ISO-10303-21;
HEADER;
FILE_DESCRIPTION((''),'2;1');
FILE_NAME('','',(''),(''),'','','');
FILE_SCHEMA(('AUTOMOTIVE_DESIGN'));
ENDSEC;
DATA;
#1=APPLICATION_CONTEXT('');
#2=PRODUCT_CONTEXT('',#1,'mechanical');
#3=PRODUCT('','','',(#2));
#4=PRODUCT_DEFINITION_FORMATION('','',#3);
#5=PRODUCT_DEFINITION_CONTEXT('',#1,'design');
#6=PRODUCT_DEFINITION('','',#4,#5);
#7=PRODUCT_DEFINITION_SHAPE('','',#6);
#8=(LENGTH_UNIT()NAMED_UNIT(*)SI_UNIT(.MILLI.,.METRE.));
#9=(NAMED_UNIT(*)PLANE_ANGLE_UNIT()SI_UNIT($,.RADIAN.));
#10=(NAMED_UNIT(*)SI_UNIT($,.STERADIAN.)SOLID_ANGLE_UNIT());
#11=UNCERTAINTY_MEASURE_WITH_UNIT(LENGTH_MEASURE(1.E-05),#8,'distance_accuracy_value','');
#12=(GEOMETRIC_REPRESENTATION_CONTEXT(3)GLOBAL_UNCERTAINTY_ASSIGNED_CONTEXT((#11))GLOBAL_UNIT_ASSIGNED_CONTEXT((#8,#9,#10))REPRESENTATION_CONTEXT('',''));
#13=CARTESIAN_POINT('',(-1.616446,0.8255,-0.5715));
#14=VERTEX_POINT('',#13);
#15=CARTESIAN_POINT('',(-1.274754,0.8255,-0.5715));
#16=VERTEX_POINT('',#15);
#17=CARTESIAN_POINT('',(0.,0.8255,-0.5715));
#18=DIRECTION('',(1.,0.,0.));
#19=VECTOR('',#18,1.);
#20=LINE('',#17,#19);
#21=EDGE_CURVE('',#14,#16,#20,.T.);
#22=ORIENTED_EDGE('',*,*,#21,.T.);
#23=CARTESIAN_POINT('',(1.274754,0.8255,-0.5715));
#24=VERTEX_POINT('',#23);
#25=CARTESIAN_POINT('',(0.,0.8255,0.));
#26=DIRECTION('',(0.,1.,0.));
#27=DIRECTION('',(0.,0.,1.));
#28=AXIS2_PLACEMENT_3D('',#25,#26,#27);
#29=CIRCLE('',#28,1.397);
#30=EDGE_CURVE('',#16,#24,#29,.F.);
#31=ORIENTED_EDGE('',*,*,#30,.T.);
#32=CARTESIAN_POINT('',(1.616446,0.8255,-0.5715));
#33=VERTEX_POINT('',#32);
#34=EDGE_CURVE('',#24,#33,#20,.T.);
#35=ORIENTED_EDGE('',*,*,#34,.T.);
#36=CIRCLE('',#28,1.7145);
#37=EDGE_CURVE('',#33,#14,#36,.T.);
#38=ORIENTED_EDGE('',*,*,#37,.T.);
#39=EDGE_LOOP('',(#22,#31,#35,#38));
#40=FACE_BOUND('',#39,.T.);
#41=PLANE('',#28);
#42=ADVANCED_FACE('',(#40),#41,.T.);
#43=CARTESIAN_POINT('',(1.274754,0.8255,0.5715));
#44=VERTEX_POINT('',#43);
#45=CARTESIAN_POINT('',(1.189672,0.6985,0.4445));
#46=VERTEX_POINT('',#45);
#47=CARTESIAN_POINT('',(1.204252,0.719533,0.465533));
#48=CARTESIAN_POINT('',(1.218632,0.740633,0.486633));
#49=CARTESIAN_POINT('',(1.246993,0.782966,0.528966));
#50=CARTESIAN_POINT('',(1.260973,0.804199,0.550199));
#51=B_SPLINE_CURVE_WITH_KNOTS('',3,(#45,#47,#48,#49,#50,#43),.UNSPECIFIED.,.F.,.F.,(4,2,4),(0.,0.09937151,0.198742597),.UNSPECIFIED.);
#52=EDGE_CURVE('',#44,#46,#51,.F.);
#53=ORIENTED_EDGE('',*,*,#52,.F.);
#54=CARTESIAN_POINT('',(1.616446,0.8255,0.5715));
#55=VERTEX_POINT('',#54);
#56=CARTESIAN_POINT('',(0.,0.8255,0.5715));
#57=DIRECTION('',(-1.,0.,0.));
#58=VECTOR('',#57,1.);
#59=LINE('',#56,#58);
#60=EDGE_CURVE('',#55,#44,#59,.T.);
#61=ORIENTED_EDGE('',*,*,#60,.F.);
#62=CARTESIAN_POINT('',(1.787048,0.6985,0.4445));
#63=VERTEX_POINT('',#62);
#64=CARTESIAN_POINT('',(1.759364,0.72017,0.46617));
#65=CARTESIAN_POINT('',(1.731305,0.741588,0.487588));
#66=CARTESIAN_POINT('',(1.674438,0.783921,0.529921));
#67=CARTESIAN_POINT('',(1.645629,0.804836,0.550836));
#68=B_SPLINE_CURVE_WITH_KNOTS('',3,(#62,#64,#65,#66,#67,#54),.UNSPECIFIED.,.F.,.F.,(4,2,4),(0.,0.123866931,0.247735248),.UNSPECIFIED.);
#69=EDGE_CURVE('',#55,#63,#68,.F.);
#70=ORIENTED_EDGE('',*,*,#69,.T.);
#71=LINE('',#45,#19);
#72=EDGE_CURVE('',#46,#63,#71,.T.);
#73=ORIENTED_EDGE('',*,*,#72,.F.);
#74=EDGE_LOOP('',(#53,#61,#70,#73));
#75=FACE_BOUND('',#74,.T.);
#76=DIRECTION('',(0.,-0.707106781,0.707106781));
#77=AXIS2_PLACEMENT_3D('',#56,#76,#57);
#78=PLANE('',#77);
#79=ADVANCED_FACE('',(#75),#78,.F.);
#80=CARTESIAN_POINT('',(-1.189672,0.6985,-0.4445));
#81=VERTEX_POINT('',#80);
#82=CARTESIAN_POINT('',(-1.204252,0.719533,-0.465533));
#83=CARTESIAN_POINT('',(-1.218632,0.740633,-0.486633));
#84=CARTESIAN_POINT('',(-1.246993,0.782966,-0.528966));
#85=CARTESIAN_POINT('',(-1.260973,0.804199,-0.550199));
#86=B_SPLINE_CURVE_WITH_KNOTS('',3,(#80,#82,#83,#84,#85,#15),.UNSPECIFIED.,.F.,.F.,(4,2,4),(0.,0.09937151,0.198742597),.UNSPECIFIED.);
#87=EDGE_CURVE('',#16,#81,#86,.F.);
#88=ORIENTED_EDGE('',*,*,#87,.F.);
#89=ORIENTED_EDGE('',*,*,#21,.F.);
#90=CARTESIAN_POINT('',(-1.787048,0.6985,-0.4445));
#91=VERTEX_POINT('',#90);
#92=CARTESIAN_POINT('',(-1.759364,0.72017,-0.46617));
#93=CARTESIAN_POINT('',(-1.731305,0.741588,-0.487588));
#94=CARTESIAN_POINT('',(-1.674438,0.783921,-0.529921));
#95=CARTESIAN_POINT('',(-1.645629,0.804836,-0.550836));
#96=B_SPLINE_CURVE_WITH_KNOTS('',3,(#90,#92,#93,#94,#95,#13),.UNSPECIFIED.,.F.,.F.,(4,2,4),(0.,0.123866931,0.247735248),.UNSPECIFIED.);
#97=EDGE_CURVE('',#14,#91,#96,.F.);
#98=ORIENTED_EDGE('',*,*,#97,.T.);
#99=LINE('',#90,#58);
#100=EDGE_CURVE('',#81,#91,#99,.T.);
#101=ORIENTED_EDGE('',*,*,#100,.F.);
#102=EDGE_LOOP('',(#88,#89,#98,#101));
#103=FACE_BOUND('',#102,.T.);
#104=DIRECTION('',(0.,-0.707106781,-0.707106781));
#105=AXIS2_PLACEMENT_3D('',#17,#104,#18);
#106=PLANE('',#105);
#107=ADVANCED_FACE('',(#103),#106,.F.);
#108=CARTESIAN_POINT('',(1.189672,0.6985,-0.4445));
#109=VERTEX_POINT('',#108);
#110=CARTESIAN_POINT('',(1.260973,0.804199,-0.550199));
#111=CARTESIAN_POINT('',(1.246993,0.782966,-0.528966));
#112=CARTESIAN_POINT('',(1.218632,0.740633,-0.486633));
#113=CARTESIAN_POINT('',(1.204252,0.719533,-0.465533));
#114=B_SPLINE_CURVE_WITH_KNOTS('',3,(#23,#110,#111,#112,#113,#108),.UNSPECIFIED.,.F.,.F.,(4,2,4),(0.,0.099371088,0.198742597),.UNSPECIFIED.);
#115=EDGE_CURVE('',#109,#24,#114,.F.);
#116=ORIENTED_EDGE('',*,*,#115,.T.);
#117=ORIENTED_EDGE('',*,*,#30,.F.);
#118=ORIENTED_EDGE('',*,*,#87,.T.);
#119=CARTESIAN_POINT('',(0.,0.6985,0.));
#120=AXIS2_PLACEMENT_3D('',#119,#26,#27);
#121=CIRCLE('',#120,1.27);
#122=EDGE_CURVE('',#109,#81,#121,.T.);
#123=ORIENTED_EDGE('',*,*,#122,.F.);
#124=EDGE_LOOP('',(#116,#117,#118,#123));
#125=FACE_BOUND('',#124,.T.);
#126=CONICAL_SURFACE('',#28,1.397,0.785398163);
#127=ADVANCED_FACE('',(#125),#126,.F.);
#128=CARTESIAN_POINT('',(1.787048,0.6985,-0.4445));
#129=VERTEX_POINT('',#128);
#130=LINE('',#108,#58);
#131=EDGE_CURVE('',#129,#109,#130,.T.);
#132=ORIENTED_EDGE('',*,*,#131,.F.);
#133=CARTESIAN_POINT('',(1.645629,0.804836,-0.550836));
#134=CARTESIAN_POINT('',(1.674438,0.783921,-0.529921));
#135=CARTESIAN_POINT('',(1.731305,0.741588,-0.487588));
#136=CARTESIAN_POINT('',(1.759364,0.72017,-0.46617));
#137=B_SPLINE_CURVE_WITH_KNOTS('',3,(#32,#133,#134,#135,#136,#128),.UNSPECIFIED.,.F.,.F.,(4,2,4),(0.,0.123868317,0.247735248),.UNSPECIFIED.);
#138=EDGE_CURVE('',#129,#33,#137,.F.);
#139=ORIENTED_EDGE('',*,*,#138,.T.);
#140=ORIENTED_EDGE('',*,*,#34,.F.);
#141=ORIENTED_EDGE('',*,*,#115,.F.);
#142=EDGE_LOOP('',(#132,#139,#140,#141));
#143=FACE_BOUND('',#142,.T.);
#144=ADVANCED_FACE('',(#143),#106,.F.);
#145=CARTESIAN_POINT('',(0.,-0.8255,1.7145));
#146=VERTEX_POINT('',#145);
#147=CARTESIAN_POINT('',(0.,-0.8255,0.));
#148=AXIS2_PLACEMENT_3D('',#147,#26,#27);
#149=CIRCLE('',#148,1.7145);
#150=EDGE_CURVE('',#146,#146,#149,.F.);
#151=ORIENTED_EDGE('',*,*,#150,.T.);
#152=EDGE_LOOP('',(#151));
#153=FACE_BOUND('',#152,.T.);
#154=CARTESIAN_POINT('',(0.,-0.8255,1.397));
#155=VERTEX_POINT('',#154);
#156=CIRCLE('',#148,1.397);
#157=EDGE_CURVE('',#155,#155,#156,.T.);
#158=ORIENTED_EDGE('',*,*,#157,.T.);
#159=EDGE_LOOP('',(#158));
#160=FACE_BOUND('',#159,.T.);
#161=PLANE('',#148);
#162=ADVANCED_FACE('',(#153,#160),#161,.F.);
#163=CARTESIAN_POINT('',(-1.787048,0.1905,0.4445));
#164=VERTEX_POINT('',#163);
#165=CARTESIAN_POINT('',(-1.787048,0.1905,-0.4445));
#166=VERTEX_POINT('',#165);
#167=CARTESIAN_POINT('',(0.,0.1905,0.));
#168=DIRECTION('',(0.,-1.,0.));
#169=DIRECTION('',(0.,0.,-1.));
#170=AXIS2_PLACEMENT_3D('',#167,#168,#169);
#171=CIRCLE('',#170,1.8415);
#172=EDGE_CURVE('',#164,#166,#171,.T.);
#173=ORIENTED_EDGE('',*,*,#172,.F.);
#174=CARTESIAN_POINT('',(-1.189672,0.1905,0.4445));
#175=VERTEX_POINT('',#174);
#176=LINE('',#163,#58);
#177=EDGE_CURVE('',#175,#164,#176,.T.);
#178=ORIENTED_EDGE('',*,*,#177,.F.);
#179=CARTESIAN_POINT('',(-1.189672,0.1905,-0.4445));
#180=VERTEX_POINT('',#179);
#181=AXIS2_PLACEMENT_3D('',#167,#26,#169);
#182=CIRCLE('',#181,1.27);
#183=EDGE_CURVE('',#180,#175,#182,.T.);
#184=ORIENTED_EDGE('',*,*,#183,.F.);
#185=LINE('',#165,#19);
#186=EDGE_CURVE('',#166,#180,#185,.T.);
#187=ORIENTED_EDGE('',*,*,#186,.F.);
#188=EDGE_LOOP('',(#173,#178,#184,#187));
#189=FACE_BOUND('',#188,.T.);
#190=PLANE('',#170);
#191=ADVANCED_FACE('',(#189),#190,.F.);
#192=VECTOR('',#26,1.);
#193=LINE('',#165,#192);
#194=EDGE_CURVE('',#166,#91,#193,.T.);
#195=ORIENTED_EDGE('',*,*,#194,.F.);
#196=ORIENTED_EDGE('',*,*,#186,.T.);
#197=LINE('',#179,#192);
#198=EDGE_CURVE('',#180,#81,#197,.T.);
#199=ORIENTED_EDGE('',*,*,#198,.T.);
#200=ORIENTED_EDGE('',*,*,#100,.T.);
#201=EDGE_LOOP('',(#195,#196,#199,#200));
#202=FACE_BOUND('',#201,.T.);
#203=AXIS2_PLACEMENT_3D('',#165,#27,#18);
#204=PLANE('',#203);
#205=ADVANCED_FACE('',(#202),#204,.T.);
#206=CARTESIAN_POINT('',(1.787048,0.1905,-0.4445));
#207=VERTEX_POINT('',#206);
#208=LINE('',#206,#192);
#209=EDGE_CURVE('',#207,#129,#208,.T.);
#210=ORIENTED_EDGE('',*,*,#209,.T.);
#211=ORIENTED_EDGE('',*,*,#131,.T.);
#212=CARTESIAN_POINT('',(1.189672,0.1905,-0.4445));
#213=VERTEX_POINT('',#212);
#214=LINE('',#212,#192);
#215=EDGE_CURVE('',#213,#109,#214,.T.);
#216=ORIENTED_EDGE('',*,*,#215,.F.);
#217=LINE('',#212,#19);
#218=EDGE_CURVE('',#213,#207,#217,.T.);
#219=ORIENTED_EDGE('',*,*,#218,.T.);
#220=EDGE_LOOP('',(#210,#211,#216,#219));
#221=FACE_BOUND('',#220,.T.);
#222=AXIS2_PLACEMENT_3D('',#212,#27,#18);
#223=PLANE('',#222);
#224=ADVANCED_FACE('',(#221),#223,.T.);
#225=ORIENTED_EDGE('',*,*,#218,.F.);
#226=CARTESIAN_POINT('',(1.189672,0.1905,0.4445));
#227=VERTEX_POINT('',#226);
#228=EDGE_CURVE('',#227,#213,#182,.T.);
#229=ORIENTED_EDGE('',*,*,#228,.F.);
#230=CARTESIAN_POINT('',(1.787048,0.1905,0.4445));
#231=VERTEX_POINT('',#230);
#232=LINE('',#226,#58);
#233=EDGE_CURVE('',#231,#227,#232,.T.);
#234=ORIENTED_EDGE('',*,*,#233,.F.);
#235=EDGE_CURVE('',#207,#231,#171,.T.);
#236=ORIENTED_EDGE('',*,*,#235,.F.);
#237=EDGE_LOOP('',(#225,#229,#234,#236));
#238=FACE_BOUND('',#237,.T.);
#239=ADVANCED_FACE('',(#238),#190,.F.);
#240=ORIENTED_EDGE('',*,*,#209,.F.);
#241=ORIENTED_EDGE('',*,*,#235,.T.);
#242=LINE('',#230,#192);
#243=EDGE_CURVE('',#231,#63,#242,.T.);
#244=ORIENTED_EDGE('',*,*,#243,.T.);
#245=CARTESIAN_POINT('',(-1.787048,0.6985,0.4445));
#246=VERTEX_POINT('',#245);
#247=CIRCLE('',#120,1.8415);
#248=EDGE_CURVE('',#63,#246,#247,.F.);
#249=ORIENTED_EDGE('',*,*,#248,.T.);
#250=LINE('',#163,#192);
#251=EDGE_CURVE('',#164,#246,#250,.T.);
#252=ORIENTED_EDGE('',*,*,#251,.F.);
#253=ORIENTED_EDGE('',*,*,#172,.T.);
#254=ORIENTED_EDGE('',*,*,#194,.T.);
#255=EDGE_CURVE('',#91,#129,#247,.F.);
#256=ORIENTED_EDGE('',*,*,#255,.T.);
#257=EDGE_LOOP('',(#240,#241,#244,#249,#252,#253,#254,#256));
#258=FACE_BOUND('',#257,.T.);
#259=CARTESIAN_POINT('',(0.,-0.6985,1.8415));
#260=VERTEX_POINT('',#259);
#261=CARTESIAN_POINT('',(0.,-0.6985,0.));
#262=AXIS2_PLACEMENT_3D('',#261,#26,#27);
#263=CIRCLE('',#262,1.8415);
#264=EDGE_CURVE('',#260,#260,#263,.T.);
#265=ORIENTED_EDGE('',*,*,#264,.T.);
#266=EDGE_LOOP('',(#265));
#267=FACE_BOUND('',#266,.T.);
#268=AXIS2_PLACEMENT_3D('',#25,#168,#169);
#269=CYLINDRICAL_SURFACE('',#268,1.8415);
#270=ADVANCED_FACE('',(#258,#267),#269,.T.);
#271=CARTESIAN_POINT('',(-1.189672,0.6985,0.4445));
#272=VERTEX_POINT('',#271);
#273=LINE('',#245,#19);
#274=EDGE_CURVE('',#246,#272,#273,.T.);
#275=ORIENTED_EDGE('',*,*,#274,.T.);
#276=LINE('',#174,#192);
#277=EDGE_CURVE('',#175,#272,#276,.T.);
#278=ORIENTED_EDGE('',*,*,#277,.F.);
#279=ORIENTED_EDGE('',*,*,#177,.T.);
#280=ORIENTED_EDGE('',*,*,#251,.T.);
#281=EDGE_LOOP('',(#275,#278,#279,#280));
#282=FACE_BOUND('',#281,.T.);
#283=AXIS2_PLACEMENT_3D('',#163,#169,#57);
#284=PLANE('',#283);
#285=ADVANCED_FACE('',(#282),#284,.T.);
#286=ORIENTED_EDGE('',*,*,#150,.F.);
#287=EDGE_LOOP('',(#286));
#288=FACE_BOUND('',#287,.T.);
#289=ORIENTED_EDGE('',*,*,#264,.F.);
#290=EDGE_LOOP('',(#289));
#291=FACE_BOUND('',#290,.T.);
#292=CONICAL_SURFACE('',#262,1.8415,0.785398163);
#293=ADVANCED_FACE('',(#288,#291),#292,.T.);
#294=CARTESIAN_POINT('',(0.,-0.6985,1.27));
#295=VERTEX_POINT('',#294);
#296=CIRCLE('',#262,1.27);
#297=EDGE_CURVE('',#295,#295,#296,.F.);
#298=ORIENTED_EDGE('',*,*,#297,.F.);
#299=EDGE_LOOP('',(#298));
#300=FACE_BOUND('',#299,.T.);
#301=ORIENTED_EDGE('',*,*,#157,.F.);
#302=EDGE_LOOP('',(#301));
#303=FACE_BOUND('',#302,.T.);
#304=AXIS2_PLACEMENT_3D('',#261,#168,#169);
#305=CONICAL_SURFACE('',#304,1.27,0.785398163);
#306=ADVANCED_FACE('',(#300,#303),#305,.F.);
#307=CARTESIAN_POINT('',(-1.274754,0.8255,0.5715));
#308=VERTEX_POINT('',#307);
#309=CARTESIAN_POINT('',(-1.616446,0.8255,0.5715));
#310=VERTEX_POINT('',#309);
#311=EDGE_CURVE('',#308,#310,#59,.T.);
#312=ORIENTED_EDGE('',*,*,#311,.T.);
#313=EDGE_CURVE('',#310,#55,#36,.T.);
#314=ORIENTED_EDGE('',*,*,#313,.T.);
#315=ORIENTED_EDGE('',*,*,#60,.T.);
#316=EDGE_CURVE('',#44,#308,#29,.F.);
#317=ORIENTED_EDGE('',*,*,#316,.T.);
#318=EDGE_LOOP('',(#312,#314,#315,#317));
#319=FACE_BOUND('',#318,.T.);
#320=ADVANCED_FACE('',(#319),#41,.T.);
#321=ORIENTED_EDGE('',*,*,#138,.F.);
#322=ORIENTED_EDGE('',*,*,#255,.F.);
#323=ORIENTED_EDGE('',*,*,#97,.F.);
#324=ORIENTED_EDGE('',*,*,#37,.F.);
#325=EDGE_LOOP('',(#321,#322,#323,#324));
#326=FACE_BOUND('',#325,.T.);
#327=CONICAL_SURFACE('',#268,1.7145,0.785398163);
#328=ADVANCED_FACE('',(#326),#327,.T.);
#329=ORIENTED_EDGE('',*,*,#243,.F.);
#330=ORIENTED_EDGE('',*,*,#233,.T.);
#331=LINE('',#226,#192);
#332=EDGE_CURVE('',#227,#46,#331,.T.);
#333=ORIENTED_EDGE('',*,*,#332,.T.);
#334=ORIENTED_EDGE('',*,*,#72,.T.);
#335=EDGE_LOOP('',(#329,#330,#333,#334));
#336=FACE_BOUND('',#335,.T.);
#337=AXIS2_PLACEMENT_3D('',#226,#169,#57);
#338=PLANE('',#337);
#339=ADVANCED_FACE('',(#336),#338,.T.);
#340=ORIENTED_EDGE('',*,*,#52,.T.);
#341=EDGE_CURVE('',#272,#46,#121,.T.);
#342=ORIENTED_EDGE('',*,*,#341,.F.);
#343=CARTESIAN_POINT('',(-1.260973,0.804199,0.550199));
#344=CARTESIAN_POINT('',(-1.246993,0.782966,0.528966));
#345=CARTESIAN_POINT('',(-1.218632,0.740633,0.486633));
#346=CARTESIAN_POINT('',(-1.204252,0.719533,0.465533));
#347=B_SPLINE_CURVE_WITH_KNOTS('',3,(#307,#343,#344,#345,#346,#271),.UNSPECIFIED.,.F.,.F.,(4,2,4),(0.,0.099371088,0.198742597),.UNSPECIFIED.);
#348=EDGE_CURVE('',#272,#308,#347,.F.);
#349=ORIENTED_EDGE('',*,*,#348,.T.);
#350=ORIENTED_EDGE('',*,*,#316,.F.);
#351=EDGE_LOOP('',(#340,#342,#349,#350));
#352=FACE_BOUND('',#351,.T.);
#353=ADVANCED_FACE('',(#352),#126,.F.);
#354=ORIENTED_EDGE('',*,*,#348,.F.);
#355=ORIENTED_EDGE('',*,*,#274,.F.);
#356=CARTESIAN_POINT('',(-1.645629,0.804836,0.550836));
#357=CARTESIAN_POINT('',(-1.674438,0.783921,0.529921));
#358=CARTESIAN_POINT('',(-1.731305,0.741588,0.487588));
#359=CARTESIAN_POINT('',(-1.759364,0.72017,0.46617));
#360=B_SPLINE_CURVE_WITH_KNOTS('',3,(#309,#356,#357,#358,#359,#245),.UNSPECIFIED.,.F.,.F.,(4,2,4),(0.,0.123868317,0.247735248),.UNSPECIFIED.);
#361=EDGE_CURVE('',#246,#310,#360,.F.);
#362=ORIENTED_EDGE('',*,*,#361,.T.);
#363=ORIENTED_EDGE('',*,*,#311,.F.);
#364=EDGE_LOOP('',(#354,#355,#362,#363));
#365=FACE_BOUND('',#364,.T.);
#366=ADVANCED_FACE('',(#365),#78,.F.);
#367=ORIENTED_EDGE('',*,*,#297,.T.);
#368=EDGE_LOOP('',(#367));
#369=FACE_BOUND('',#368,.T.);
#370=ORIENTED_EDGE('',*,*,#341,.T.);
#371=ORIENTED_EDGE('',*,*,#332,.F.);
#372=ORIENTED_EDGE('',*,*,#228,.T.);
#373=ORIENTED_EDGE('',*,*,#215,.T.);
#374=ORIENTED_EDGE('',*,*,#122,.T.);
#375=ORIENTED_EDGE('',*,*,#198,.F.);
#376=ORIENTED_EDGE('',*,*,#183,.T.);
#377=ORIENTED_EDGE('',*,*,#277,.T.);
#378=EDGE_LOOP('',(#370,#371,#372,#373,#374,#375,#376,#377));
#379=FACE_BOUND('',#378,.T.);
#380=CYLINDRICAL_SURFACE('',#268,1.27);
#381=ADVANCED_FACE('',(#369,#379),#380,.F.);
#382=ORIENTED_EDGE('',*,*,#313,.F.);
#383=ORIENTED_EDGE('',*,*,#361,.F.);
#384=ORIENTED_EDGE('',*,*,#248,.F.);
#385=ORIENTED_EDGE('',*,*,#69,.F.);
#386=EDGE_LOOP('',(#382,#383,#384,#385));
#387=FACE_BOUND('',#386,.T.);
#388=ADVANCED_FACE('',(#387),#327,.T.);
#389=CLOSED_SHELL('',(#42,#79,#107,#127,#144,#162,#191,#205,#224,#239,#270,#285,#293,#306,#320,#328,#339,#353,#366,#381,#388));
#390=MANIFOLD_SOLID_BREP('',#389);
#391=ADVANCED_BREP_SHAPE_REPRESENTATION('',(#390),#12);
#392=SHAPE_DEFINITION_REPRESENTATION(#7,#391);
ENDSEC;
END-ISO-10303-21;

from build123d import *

# Parameters (mm, degrees)
SKETCH1_R           = 1.8415
BOSS_EXTRUDE1_DEPTH = 0.8255
SKETCH3_R           = 1.27
CUT_EXTRUDE2_DEPTH  = 2.651
CUT_EXTRUDE6_DEPTH  = 0.635
CHAMFER1_SIZE       = 0.127


with BuildPart() as part:
    # Sketch1 → Boss-Extrude1 (new body, symmetric)
    with BuildSketch(Plane(origin=(0, 0, 0), x_dir=(1, 0, 0), z_dir=(0, 1, 0))):
        with Locations(Location((0, 0, 0), (0, 0, 270))):  # turned: the seam where the file's is
            Circle(SKETCH1_R)
    extrude(amount=BOSS_EXTRUDE1_DEPTH, both=True)

    # Sketch3 → Cut-Extrude2 (cut, through all)
    with BuildSketch(Plane.XZ.offset(0.8255)):
        with Locations(Location((0, 0, 0), (0, 0, 270))):  # turned: the seam where the file's is
            Circle(SKETCH3_R)
    extrude(amount=-CUT_EXTRUDE2_DEPTH, mode=Mode.SUBTRACT)

    # Sketch7 → Cut-Extrude6 (cut)
    with BuildSketch(Plane.XZ.offset(-0.8255)):
        with BuildLine():
            Line((1.189672119, -0.4445), (1.787048404, -0.4445))
            ThreePointArc((1.787048404, -0.4445), (1.8415, 0), (1.787048404, 0.4445))
            Line((1.787048404, 0.4445), (1.189672119, 0.4445))
            ThreePointArc((1.189672119, 0.4445), (1.27, 0), (1.189672119, -0.4445))
        make_face()
        with BuildLine():
            Line((-1.787048404, 0.4445), (-1.189672119, 0.4445))
            ThreePointArc((-1.189672119, 0.4445), (-1.27, 0), (-1.189672119, -0.4445))
            Line((-1.189672119, -0.4445), (-1.787048404, -0.4445))
            ThreePointArc((-1.787048404, -0.4445), (-1.8415, 0), (-1.787048404, 0.4445))
        make_face()
    extrude(amount=CUT_EXTRUDE6_DEPTH, mode=Mode.SUBTRACT)

    # Chamfer1
    chamfer1_edges = [part.edges().sort_by_distance(p)[0] for p in [
        (0, 0.8255, 1.27),
        (0, 0.8255, -1.8415),
        (1.488360262, 0.8255, 0.4445),
        (1.488360262, 0.8255, -0.4445),
        (0, -0.8255, -1.8415),
        (0.724011395, 0.8255, -1.043411472),
        (1.134146265, 0.8255, 1.450804777),
        (-1.488360262, 0.8255, 0.4445),
        (-1.488360262, 0.8255, -0.4445),
        (0, -0.8255, 1.27),
    ]]
    chamfer(chamfer1_edges, length=CHAMFER1_SIZE)


solid = part.part
